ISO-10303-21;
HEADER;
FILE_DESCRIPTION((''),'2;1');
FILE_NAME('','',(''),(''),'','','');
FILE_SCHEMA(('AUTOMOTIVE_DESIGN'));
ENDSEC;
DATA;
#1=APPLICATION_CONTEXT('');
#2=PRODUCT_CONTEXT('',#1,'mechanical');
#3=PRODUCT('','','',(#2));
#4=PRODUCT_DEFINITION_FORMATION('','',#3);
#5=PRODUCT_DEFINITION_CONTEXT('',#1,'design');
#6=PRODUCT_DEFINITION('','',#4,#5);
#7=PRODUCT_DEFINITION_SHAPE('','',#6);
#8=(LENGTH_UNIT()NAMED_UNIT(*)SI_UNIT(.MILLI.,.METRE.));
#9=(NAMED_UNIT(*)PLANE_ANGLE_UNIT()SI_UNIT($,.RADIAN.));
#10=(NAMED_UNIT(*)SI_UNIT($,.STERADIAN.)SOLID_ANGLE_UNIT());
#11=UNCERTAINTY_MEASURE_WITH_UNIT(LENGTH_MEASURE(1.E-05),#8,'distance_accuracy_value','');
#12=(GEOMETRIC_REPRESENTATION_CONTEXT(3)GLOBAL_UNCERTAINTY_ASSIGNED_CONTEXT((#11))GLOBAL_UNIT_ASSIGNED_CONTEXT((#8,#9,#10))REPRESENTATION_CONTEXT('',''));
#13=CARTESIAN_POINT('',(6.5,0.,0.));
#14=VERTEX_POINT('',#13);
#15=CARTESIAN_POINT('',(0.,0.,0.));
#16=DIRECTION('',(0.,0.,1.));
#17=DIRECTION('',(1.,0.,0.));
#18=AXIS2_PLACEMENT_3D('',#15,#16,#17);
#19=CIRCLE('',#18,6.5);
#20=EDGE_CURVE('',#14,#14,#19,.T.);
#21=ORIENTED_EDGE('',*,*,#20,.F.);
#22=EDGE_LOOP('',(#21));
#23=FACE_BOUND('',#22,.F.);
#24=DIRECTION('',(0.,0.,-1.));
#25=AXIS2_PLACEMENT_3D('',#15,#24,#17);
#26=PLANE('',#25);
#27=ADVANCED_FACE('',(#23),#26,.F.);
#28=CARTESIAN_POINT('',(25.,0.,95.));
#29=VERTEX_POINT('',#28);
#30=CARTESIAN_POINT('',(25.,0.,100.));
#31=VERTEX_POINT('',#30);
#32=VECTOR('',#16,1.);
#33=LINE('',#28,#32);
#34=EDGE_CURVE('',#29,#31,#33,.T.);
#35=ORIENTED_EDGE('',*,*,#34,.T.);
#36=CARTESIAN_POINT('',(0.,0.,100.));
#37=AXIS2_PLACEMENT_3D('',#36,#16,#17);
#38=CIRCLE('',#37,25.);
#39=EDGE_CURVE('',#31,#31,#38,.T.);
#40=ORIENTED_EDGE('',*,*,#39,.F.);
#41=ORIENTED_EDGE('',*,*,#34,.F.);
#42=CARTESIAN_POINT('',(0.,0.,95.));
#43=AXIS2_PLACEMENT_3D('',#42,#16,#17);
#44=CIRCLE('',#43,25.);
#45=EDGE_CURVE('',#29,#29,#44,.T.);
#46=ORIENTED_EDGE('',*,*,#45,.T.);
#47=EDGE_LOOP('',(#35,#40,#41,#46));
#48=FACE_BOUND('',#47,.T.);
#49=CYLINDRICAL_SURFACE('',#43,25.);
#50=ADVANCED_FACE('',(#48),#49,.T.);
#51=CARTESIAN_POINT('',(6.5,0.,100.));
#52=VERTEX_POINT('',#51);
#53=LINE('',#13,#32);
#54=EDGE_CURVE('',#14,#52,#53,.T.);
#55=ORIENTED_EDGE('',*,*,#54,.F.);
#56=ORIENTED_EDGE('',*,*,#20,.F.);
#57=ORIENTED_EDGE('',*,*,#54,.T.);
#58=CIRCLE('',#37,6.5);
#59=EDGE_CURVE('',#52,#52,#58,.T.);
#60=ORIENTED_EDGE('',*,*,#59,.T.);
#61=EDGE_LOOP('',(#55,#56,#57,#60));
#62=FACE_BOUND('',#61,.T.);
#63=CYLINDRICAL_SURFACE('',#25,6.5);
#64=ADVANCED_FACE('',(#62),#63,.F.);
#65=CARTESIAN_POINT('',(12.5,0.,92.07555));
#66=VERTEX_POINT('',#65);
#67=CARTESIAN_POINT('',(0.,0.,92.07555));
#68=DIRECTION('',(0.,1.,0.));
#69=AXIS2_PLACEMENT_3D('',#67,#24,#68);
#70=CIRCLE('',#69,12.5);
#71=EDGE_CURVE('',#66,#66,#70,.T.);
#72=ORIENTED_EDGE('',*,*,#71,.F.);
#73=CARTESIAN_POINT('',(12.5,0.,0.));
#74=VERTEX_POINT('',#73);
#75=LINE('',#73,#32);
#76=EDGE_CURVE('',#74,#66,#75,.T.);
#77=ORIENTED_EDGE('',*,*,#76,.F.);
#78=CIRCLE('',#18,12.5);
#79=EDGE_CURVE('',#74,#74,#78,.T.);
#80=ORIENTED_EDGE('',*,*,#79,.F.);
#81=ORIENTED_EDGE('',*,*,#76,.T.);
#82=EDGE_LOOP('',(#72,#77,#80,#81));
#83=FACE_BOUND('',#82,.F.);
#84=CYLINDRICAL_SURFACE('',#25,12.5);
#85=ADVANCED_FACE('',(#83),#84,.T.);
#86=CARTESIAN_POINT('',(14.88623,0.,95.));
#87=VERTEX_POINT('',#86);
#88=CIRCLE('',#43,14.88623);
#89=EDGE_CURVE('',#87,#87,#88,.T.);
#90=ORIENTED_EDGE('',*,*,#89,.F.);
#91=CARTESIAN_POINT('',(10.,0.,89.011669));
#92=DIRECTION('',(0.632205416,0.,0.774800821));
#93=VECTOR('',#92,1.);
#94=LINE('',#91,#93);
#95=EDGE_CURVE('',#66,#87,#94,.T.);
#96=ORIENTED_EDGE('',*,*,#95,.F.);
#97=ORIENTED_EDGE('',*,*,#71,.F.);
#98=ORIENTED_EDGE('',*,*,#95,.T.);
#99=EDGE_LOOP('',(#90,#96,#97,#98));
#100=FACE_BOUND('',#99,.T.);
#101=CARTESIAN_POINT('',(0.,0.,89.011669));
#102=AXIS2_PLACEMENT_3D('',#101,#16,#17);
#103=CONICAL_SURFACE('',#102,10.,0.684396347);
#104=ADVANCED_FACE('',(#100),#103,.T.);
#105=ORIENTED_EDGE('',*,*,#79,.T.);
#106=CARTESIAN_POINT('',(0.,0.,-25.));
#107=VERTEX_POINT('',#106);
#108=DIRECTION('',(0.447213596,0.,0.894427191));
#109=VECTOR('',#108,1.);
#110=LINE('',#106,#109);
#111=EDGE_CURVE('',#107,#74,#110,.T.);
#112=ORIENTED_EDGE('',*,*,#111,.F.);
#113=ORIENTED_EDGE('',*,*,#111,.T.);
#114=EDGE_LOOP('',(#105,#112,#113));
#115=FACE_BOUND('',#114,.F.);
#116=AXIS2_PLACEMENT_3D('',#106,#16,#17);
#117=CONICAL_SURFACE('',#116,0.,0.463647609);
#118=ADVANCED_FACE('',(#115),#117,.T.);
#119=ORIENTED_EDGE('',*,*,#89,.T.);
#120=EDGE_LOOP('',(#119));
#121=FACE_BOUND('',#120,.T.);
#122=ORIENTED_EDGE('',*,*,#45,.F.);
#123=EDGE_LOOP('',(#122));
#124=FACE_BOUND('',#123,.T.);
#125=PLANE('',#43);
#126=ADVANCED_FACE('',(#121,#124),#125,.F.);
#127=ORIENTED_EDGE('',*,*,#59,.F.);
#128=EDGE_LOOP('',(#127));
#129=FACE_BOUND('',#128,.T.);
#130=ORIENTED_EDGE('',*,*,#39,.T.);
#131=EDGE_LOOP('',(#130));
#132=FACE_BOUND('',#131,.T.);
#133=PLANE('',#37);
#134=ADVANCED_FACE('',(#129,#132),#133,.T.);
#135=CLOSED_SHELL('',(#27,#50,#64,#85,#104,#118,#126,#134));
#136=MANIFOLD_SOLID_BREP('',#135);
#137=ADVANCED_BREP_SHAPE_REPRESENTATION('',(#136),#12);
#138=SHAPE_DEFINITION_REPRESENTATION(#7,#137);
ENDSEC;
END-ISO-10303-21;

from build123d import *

# Parameters (mm, degrees)
F0_R     = 12.5
F0_R_2   = 6.5
F1_DEPTH = 100


with BuildPart() as f1:
    # F0 (on Top) → F1 (new body)
    with BuildSketch(Plane.XY):
        Circle(F0_R)
        Circle(F0_R_2, mode=Mode.SUBTRACT)
    extrude(amount=F1_DEPTH)

    # F2 (on Front) → F3 (revolve)
    with BuildSketch(Plane.XZ):
        Polygon((12.5, 0), (0, 0), (0, -25), align=None)
    revolve(axis=Axis((0, 0, -12.5), (0, 0, -1)))

    # F4 (on Front) → F5 (revolve)
    with BuildSketch(Plane.XZ):
        Polygon((14.8862302303, 95), (10, 95), (10, 89.0116691589), align=None)
        Polygon((25, 100), (10, 100), (10, 95), (14.8862302303, 95), (25, 95), align=None)
    revolve(axis=Axis((0, 0, 50), (0, 0, 1)))


solid = f1.part
